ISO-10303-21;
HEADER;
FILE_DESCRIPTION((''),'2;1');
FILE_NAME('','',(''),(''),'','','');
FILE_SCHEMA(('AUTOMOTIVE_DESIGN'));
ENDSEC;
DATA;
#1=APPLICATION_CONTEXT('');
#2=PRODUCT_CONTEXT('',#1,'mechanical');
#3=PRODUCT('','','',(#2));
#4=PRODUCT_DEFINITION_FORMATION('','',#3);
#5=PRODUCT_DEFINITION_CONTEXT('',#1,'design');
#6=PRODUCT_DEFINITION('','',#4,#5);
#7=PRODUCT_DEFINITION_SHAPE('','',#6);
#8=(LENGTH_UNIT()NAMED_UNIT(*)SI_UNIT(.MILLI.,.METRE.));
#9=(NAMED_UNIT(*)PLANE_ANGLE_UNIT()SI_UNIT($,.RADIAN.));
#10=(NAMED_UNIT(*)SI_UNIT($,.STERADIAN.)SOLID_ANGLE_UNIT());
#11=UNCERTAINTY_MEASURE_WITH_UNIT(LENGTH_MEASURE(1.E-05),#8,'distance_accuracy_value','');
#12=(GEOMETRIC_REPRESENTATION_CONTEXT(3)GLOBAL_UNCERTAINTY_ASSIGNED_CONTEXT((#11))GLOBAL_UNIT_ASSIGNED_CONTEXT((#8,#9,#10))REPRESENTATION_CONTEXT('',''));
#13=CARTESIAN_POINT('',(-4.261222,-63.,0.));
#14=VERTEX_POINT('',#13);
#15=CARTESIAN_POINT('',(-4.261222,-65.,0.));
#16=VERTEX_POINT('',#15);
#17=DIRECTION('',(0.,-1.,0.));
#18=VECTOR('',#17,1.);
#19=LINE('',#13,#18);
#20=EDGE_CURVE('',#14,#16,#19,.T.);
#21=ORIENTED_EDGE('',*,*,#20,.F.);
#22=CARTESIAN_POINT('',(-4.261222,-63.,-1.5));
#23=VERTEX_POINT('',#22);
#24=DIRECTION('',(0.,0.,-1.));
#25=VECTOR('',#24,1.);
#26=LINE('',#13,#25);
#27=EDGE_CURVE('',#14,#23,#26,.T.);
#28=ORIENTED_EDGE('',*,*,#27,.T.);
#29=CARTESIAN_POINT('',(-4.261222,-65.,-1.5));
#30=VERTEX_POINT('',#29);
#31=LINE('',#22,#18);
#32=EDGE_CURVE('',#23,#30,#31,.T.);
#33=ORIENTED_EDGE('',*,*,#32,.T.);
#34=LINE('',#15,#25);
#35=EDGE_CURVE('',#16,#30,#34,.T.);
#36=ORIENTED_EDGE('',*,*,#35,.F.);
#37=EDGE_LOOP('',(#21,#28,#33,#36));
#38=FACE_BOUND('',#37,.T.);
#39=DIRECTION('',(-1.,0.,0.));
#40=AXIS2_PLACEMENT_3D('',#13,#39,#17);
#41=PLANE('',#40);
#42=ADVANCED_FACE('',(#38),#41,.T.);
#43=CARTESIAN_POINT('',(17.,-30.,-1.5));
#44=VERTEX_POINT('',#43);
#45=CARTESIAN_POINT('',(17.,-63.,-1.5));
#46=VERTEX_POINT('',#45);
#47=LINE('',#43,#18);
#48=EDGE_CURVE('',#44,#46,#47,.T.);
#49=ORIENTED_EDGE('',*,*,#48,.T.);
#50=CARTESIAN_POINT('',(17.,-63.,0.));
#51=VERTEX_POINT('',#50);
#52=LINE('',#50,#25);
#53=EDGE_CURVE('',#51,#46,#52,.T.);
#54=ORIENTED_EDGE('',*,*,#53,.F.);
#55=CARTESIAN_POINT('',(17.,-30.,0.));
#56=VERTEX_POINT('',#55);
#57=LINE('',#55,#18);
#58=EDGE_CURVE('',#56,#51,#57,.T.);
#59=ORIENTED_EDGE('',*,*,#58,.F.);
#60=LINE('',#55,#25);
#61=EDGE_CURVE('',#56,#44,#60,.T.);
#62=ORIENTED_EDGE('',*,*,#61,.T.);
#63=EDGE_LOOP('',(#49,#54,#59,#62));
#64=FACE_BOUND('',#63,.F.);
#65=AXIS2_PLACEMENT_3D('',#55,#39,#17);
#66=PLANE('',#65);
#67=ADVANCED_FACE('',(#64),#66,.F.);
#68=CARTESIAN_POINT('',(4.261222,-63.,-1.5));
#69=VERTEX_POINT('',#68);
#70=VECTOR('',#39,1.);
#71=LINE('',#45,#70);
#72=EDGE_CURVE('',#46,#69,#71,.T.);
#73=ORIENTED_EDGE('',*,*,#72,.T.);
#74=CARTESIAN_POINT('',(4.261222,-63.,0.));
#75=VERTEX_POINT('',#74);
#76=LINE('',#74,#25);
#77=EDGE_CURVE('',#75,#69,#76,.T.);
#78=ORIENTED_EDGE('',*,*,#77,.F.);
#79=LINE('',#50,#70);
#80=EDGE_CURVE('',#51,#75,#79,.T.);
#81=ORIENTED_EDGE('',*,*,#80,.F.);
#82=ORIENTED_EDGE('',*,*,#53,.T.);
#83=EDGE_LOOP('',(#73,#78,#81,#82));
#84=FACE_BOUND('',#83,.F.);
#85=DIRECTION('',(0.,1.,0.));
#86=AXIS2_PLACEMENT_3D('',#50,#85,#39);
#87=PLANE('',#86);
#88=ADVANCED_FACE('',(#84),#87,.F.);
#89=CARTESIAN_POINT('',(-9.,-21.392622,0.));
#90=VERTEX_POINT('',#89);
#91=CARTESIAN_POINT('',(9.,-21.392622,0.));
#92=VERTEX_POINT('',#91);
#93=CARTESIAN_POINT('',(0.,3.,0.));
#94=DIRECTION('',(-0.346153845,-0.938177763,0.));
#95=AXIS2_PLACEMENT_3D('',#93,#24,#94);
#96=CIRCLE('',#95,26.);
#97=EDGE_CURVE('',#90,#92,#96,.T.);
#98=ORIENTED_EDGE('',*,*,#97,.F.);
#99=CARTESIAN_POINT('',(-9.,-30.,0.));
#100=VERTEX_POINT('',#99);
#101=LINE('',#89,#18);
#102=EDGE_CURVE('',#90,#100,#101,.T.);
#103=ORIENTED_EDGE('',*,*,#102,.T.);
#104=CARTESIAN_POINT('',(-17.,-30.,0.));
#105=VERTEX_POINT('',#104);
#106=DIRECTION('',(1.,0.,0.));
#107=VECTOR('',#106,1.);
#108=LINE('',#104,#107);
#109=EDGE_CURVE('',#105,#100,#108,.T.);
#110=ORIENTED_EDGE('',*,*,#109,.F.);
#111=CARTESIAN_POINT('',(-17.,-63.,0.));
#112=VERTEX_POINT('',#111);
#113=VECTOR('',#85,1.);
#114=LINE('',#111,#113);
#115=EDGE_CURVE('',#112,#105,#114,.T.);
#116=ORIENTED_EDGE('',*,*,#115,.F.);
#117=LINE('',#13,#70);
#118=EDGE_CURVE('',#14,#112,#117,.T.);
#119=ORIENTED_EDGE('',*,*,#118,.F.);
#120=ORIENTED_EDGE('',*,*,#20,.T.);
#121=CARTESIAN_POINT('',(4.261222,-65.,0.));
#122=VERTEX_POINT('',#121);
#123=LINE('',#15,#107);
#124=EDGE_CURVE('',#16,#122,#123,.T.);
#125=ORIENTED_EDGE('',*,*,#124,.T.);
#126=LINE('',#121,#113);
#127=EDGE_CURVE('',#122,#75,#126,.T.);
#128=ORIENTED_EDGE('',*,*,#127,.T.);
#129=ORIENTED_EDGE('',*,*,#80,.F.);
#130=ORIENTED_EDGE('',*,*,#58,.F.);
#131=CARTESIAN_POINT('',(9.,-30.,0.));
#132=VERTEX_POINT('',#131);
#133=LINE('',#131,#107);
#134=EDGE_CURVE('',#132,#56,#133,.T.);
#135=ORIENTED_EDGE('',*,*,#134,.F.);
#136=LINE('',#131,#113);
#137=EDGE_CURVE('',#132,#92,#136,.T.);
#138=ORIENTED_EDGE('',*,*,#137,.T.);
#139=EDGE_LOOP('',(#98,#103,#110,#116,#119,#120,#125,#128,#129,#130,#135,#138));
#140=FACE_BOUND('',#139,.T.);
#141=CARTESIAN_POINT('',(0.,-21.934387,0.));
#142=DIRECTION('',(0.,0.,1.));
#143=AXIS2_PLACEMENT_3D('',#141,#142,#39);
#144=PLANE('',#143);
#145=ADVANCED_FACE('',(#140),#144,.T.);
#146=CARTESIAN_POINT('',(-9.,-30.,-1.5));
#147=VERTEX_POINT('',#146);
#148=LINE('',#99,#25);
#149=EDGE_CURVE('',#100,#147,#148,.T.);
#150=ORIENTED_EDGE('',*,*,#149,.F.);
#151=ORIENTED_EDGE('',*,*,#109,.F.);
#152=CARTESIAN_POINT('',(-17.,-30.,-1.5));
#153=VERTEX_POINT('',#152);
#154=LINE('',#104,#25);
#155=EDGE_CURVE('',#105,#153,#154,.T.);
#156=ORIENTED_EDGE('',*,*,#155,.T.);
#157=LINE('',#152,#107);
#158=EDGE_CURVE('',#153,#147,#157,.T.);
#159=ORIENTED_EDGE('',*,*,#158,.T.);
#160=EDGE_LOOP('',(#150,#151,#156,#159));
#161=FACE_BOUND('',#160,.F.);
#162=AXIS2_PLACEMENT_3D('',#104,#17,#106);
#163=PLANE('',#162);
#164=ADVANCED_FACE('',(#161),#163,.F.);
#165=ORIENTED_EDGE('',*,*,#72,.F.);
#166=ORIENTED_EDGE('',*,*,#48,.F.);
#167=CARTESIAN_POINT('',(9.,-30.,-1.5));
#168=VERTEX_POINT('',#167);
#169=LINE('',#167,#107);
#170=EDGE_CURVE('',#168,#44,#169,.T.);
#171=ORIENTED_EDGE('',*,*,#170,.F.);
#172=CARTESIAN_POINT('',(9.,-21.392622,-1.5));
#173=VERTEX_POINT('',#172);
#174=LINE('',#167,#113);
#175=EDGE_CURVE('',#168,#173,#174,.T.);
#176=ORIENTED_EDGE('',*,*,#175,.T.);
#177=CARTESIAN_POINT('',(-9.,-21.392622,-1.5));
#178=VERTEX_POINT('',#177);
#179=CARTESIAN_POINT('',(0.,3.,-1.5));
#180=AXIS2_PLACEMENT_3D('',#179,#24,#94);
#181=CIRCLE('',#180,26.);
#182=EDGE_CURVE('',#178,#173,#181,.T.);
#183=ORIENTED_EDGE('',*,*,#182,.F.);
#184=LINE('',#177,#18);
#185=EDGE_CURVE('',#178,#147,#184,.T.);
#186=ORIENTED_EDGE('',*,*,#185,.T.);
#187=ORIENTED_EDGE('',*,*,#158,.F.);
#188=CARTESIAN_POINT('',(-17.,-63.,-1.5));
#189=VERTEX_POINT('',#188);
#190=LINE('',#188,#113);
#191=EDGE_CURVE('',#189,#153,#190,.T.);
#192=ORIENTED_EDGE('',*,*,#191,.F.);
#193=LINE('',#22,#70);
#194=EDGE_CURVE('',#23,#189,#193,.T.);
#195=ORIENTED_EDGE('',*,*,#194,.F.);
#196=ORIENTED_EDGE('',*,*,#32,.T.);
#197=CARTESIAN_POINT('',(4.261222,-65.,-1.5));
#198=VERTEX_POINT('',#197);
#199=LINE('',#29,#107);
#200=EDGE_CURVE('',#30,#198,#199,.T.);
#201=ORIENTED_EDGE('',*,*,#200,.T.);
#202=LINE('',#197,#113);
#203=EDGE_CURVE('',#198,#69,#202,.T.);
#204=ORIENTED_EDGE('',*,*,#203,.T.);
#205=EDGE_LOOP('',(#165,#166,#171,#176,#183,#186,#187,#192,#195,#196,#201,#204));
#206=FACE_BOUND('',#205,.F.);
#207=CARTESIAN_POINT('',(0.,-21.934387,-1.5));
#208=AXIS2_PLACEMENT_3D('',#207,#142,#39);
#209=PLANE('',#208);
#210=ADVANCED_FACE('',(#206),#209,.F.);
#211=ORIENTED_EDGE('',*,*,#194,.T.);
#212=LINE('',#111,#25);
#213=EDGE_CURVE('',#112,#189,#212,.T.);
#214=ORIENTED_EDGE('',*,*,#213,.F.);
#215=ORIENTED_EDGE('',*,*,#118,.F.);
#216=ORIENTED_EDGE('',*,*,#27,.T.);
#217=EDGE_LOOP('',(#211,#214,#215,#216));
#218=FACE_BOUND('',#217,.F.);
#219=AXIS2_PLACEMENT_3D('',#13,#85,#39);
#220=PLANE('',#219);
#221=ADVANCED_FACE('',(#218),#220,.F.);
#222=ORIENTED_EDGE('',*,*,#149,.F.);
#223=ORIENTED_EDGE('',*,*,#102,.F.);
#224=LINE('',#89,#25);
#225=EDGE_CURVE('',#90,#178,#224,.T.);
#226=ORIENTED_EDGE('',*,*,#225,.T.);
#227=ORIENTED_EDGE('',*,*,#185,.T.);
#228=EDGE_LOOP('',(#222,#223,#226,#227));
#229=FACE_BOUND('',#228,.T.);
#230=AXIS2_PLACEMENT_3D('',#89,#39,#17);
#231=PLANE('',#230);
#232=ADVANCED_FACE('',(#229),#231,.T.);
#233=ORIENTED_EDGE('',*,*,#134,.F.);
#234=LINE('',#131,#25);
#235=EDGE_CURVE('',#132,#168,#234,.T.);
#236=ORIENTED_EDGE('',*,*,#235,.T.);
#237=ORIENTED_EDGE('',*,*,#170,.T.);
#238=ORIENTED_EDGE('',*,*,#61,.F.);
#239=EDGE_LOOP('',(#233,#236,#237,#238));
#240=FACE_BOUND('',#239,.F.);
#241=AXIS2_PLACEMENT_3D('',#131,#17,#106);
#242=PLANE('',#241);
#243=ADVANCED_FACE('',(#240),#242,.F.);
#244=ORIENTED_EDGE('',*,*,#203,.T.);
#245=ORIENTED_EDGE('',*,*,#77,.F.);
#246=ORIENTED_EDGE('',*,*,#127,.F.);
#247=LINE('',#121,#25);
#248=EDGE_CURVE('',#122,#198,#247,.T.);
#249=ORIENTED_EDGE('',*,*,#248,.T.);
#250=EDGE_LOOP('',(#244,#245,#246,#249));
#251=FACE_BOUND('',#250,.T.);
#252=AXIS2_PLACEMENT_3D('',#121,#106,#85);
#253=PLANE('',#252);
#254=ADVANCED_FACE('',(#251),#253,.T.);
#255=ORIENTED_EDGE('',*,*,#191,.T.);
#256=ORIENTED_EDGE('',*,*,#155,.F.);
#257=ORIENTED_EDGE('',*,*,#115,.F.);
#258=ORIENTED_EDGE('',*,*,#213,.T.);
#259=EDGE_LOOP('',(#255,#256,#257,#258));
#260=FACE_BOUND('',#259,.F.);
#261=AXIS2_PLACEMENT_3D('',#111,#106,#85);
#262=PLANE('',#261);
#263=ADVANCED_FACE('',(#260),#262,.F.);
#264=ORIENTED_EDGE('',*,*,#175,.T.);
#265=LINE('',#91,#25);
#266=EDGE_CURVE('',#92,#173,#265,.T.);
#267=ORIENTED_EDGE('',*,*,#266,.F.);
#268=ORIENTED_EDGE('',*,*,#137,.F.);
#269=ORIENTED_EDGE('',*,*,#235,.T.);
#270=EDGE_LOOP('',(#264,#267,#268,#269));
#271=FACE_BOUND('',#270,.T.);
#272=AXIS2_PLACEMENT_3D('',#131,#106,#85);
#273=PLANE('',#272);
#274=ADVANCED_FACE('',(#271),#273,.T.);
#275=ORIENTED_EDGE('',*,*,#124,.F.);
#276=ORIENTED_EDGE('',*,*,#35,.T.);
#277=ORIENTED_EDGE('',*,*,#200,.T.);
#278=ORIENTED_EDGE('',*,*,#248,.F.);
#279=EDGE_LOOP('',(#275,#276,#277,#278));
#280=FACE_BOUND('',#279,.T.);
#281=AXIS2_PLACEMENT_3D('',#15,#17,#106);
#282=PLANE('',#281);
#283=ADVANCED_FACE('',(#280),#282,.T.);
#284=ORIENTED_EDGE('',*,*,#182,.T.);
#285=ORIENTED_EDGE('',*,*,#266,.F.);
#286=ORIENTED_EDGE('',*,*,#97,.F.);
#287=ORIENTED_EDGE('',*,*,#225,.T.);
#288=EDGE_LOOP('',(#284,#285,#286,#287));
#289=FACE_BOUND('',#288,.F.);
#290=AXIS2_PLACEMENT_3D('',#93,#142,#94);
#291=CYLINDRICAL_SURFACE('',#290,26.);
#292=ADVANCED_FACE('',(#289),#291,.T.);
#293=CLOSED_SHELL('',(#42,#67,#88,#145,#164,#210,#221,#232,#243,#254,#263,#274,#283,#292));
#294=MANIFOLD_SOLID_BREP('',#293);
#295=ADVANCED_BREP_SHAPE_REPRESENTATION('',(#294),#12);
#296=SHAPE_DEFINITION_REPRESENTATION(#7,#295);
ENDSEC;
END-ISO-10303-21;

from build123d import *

# Parameters (mm, degrees)
PAD_DEPTH = 1.5


with BuildPart() as part:
    # Sketch → Pad (new body)
    with BuildSketch(Plane(origin=(0, 0, 0), x_dir=(1, 0, 0), z_dir=(0, 0, -1))):
        with BuildLine():
            Line((9, 30), (9, 21.392622))
            ThreePointArc((-9, 21.392622), (0, -29), (9, 21.392622))
            Line((-9, 21.392622), (-9, 30))
            Line((-17, 30), (-9, 30))
            Line((-17, 63), (-17, 30))
            Line((-4.261222, 63), (-17, 63))
            Line((-4.261222, 63), (-4.261222, 65))
            Line((-4.261222, 65), (4.261222, 65))
            Line((4.261222, 65), (4.261222, 63))
            Line((17, 63), (4.261222, 63))
            Line((17, 30), (17, 63))
            Line((9, 30), (17, 30))
        make_face()
    extrude(amount=PAD_DEPTH)


solid = part.part
